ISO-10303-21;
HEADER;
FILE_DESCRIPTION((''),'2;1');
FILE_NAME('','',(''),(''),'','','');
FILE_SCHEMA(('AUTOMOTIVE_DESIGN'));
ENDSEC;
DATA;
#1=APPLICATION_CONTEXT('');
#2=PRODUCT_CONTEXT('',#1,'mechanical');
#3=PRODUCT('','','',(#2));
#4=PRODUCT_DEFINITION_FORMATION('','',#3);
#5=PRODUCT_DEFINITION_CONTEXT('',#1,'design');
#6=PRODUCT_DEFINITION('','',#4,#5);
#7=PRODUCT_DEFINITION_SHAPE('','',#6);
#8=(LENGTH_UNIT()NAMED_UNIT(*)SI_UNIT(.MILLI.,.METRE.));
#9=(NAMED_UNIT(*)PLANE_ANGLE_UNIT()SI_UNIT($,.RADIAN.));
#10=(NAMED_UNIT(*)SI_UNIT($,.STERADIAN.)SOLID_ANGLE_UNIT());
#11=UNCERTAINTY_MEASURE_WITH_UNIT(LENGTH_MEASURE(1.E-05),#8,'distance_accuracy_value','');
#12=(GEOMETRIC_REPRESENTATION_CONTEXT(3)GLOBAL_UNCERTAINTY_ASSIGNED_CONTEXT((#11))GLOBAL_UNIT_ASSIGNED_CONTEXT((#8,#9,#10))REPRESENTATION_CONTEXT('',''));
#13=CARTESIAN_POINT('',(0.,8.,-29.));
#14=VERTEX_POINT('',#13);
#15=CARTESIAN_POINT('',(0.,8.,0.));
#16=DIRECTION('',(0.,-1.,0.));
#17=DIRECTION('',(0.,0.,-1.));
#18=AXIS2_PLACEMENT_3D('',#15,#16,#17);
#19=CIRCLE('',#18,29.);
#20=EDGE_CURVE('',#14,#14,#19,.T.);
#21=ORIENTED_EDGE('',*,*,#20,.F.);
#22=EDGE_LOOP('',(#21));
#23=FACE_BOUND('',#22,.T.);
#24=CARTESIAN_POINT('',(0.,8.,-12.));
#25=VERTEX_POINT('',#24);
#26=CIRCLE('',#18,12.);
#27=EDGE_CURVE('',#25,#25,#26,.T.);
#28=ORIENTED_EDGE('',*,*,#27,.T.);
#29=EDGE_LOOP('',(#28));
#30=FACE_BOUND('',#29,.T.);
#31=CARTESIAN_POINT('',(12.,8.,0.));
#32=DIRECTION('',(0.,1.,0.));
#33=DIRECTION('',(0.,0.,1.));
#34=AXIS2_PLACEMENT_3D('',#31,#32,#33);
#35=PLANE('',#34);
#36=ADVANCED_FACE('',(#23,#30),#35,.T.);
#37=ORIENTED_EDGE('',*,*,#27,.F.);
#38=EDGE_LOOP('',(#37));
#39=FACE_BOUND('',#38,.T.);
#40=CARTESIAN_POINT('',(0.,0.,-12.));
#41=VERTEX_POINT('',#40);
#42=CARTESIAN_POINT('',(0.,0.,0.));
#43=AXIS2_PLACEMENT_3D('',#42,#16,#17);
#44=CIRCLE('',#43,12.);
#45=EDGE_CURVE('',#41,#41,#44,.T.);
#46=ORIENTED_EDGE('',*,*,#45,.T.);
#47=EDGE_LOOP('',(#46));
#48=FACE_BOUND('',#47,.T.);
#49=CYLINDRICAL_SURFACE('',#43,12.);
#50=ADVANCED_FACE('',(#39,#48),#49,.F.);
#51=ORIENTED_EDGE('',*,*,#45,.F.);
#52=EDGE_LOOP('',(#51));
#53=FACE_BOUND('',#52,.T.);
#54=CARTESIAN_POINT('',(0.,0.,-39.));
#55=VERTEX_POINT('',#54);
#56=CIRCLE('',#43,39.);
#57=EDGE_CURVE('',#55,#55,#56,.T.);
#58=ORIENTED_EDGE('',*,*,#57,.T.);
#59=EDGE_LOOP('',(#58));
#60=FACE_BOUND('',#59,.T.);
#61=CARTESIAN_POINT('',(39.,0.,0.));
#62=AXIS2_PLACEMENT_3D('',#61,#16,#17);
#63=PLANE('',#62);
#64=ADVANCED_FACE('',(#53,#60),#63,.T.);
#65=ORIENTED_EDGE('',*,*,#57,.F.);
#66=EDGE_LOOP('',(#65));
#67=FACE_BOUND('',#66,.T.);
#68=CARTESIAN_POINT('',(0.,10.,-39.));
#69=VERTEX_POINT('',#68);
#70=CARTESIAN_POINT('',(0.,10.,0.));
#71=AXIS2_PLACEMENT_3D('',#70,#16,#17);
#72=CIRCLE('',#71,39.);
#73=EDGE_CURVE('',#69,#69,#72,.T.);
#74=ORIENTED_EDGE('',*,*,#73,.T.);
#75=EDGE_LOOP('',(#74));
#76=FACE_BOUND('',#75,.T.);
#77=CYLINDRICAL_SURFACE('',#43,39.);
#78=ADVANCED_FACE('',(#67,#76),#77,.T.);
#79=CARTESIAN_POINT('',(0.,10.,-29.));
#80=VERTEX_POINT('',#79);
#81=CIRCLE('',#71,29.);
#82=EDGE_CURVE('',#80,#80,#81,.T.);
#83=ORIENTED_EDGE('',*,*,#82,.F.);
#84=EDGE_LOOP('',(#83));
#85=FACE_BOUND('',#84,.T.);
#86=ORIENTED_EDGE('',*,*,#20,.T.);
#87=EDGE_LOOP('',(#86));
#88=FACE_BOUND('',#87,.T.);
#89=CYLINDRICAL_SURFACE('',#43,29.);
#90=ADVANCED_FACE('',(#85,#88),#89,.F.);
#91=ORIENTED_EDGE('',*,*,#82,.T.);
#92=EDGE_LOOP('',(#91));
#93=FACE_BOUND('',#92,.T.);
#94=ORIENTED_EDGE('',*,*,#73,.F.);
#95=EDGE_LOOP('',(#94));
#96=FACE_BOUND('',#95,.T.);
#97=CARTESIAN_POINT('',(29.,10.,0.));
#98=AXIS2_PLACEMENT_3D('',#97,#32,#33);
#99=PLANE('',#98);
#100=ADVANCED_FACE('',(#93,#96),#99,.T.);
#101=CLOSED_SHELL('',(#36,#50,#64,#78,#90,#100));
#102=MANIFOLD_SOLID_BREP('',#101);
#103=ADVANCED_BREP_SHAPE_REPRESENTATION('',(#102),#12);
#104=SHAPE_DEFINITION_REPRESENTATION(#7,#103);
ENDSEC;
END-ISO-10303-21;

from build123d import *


with BuildPart() as part:
    # Sketch1 → Revolve1 (revolve)
    with BuildSketch(Plane.XY, mode=Mode.PRIVATE) as revolve1_sk:
        Polygon((12, 0), (12, 8), (29, 8), (29, 10), (39, 10), (39, 0), align=None)
    revolve(revolve1_sk.sketch.rotate(Axis((0, 0, 0), (0, 1, 0)), 90), axis=Axis((0, 0, 0), (0, 1, 0)))


solid = part.part
